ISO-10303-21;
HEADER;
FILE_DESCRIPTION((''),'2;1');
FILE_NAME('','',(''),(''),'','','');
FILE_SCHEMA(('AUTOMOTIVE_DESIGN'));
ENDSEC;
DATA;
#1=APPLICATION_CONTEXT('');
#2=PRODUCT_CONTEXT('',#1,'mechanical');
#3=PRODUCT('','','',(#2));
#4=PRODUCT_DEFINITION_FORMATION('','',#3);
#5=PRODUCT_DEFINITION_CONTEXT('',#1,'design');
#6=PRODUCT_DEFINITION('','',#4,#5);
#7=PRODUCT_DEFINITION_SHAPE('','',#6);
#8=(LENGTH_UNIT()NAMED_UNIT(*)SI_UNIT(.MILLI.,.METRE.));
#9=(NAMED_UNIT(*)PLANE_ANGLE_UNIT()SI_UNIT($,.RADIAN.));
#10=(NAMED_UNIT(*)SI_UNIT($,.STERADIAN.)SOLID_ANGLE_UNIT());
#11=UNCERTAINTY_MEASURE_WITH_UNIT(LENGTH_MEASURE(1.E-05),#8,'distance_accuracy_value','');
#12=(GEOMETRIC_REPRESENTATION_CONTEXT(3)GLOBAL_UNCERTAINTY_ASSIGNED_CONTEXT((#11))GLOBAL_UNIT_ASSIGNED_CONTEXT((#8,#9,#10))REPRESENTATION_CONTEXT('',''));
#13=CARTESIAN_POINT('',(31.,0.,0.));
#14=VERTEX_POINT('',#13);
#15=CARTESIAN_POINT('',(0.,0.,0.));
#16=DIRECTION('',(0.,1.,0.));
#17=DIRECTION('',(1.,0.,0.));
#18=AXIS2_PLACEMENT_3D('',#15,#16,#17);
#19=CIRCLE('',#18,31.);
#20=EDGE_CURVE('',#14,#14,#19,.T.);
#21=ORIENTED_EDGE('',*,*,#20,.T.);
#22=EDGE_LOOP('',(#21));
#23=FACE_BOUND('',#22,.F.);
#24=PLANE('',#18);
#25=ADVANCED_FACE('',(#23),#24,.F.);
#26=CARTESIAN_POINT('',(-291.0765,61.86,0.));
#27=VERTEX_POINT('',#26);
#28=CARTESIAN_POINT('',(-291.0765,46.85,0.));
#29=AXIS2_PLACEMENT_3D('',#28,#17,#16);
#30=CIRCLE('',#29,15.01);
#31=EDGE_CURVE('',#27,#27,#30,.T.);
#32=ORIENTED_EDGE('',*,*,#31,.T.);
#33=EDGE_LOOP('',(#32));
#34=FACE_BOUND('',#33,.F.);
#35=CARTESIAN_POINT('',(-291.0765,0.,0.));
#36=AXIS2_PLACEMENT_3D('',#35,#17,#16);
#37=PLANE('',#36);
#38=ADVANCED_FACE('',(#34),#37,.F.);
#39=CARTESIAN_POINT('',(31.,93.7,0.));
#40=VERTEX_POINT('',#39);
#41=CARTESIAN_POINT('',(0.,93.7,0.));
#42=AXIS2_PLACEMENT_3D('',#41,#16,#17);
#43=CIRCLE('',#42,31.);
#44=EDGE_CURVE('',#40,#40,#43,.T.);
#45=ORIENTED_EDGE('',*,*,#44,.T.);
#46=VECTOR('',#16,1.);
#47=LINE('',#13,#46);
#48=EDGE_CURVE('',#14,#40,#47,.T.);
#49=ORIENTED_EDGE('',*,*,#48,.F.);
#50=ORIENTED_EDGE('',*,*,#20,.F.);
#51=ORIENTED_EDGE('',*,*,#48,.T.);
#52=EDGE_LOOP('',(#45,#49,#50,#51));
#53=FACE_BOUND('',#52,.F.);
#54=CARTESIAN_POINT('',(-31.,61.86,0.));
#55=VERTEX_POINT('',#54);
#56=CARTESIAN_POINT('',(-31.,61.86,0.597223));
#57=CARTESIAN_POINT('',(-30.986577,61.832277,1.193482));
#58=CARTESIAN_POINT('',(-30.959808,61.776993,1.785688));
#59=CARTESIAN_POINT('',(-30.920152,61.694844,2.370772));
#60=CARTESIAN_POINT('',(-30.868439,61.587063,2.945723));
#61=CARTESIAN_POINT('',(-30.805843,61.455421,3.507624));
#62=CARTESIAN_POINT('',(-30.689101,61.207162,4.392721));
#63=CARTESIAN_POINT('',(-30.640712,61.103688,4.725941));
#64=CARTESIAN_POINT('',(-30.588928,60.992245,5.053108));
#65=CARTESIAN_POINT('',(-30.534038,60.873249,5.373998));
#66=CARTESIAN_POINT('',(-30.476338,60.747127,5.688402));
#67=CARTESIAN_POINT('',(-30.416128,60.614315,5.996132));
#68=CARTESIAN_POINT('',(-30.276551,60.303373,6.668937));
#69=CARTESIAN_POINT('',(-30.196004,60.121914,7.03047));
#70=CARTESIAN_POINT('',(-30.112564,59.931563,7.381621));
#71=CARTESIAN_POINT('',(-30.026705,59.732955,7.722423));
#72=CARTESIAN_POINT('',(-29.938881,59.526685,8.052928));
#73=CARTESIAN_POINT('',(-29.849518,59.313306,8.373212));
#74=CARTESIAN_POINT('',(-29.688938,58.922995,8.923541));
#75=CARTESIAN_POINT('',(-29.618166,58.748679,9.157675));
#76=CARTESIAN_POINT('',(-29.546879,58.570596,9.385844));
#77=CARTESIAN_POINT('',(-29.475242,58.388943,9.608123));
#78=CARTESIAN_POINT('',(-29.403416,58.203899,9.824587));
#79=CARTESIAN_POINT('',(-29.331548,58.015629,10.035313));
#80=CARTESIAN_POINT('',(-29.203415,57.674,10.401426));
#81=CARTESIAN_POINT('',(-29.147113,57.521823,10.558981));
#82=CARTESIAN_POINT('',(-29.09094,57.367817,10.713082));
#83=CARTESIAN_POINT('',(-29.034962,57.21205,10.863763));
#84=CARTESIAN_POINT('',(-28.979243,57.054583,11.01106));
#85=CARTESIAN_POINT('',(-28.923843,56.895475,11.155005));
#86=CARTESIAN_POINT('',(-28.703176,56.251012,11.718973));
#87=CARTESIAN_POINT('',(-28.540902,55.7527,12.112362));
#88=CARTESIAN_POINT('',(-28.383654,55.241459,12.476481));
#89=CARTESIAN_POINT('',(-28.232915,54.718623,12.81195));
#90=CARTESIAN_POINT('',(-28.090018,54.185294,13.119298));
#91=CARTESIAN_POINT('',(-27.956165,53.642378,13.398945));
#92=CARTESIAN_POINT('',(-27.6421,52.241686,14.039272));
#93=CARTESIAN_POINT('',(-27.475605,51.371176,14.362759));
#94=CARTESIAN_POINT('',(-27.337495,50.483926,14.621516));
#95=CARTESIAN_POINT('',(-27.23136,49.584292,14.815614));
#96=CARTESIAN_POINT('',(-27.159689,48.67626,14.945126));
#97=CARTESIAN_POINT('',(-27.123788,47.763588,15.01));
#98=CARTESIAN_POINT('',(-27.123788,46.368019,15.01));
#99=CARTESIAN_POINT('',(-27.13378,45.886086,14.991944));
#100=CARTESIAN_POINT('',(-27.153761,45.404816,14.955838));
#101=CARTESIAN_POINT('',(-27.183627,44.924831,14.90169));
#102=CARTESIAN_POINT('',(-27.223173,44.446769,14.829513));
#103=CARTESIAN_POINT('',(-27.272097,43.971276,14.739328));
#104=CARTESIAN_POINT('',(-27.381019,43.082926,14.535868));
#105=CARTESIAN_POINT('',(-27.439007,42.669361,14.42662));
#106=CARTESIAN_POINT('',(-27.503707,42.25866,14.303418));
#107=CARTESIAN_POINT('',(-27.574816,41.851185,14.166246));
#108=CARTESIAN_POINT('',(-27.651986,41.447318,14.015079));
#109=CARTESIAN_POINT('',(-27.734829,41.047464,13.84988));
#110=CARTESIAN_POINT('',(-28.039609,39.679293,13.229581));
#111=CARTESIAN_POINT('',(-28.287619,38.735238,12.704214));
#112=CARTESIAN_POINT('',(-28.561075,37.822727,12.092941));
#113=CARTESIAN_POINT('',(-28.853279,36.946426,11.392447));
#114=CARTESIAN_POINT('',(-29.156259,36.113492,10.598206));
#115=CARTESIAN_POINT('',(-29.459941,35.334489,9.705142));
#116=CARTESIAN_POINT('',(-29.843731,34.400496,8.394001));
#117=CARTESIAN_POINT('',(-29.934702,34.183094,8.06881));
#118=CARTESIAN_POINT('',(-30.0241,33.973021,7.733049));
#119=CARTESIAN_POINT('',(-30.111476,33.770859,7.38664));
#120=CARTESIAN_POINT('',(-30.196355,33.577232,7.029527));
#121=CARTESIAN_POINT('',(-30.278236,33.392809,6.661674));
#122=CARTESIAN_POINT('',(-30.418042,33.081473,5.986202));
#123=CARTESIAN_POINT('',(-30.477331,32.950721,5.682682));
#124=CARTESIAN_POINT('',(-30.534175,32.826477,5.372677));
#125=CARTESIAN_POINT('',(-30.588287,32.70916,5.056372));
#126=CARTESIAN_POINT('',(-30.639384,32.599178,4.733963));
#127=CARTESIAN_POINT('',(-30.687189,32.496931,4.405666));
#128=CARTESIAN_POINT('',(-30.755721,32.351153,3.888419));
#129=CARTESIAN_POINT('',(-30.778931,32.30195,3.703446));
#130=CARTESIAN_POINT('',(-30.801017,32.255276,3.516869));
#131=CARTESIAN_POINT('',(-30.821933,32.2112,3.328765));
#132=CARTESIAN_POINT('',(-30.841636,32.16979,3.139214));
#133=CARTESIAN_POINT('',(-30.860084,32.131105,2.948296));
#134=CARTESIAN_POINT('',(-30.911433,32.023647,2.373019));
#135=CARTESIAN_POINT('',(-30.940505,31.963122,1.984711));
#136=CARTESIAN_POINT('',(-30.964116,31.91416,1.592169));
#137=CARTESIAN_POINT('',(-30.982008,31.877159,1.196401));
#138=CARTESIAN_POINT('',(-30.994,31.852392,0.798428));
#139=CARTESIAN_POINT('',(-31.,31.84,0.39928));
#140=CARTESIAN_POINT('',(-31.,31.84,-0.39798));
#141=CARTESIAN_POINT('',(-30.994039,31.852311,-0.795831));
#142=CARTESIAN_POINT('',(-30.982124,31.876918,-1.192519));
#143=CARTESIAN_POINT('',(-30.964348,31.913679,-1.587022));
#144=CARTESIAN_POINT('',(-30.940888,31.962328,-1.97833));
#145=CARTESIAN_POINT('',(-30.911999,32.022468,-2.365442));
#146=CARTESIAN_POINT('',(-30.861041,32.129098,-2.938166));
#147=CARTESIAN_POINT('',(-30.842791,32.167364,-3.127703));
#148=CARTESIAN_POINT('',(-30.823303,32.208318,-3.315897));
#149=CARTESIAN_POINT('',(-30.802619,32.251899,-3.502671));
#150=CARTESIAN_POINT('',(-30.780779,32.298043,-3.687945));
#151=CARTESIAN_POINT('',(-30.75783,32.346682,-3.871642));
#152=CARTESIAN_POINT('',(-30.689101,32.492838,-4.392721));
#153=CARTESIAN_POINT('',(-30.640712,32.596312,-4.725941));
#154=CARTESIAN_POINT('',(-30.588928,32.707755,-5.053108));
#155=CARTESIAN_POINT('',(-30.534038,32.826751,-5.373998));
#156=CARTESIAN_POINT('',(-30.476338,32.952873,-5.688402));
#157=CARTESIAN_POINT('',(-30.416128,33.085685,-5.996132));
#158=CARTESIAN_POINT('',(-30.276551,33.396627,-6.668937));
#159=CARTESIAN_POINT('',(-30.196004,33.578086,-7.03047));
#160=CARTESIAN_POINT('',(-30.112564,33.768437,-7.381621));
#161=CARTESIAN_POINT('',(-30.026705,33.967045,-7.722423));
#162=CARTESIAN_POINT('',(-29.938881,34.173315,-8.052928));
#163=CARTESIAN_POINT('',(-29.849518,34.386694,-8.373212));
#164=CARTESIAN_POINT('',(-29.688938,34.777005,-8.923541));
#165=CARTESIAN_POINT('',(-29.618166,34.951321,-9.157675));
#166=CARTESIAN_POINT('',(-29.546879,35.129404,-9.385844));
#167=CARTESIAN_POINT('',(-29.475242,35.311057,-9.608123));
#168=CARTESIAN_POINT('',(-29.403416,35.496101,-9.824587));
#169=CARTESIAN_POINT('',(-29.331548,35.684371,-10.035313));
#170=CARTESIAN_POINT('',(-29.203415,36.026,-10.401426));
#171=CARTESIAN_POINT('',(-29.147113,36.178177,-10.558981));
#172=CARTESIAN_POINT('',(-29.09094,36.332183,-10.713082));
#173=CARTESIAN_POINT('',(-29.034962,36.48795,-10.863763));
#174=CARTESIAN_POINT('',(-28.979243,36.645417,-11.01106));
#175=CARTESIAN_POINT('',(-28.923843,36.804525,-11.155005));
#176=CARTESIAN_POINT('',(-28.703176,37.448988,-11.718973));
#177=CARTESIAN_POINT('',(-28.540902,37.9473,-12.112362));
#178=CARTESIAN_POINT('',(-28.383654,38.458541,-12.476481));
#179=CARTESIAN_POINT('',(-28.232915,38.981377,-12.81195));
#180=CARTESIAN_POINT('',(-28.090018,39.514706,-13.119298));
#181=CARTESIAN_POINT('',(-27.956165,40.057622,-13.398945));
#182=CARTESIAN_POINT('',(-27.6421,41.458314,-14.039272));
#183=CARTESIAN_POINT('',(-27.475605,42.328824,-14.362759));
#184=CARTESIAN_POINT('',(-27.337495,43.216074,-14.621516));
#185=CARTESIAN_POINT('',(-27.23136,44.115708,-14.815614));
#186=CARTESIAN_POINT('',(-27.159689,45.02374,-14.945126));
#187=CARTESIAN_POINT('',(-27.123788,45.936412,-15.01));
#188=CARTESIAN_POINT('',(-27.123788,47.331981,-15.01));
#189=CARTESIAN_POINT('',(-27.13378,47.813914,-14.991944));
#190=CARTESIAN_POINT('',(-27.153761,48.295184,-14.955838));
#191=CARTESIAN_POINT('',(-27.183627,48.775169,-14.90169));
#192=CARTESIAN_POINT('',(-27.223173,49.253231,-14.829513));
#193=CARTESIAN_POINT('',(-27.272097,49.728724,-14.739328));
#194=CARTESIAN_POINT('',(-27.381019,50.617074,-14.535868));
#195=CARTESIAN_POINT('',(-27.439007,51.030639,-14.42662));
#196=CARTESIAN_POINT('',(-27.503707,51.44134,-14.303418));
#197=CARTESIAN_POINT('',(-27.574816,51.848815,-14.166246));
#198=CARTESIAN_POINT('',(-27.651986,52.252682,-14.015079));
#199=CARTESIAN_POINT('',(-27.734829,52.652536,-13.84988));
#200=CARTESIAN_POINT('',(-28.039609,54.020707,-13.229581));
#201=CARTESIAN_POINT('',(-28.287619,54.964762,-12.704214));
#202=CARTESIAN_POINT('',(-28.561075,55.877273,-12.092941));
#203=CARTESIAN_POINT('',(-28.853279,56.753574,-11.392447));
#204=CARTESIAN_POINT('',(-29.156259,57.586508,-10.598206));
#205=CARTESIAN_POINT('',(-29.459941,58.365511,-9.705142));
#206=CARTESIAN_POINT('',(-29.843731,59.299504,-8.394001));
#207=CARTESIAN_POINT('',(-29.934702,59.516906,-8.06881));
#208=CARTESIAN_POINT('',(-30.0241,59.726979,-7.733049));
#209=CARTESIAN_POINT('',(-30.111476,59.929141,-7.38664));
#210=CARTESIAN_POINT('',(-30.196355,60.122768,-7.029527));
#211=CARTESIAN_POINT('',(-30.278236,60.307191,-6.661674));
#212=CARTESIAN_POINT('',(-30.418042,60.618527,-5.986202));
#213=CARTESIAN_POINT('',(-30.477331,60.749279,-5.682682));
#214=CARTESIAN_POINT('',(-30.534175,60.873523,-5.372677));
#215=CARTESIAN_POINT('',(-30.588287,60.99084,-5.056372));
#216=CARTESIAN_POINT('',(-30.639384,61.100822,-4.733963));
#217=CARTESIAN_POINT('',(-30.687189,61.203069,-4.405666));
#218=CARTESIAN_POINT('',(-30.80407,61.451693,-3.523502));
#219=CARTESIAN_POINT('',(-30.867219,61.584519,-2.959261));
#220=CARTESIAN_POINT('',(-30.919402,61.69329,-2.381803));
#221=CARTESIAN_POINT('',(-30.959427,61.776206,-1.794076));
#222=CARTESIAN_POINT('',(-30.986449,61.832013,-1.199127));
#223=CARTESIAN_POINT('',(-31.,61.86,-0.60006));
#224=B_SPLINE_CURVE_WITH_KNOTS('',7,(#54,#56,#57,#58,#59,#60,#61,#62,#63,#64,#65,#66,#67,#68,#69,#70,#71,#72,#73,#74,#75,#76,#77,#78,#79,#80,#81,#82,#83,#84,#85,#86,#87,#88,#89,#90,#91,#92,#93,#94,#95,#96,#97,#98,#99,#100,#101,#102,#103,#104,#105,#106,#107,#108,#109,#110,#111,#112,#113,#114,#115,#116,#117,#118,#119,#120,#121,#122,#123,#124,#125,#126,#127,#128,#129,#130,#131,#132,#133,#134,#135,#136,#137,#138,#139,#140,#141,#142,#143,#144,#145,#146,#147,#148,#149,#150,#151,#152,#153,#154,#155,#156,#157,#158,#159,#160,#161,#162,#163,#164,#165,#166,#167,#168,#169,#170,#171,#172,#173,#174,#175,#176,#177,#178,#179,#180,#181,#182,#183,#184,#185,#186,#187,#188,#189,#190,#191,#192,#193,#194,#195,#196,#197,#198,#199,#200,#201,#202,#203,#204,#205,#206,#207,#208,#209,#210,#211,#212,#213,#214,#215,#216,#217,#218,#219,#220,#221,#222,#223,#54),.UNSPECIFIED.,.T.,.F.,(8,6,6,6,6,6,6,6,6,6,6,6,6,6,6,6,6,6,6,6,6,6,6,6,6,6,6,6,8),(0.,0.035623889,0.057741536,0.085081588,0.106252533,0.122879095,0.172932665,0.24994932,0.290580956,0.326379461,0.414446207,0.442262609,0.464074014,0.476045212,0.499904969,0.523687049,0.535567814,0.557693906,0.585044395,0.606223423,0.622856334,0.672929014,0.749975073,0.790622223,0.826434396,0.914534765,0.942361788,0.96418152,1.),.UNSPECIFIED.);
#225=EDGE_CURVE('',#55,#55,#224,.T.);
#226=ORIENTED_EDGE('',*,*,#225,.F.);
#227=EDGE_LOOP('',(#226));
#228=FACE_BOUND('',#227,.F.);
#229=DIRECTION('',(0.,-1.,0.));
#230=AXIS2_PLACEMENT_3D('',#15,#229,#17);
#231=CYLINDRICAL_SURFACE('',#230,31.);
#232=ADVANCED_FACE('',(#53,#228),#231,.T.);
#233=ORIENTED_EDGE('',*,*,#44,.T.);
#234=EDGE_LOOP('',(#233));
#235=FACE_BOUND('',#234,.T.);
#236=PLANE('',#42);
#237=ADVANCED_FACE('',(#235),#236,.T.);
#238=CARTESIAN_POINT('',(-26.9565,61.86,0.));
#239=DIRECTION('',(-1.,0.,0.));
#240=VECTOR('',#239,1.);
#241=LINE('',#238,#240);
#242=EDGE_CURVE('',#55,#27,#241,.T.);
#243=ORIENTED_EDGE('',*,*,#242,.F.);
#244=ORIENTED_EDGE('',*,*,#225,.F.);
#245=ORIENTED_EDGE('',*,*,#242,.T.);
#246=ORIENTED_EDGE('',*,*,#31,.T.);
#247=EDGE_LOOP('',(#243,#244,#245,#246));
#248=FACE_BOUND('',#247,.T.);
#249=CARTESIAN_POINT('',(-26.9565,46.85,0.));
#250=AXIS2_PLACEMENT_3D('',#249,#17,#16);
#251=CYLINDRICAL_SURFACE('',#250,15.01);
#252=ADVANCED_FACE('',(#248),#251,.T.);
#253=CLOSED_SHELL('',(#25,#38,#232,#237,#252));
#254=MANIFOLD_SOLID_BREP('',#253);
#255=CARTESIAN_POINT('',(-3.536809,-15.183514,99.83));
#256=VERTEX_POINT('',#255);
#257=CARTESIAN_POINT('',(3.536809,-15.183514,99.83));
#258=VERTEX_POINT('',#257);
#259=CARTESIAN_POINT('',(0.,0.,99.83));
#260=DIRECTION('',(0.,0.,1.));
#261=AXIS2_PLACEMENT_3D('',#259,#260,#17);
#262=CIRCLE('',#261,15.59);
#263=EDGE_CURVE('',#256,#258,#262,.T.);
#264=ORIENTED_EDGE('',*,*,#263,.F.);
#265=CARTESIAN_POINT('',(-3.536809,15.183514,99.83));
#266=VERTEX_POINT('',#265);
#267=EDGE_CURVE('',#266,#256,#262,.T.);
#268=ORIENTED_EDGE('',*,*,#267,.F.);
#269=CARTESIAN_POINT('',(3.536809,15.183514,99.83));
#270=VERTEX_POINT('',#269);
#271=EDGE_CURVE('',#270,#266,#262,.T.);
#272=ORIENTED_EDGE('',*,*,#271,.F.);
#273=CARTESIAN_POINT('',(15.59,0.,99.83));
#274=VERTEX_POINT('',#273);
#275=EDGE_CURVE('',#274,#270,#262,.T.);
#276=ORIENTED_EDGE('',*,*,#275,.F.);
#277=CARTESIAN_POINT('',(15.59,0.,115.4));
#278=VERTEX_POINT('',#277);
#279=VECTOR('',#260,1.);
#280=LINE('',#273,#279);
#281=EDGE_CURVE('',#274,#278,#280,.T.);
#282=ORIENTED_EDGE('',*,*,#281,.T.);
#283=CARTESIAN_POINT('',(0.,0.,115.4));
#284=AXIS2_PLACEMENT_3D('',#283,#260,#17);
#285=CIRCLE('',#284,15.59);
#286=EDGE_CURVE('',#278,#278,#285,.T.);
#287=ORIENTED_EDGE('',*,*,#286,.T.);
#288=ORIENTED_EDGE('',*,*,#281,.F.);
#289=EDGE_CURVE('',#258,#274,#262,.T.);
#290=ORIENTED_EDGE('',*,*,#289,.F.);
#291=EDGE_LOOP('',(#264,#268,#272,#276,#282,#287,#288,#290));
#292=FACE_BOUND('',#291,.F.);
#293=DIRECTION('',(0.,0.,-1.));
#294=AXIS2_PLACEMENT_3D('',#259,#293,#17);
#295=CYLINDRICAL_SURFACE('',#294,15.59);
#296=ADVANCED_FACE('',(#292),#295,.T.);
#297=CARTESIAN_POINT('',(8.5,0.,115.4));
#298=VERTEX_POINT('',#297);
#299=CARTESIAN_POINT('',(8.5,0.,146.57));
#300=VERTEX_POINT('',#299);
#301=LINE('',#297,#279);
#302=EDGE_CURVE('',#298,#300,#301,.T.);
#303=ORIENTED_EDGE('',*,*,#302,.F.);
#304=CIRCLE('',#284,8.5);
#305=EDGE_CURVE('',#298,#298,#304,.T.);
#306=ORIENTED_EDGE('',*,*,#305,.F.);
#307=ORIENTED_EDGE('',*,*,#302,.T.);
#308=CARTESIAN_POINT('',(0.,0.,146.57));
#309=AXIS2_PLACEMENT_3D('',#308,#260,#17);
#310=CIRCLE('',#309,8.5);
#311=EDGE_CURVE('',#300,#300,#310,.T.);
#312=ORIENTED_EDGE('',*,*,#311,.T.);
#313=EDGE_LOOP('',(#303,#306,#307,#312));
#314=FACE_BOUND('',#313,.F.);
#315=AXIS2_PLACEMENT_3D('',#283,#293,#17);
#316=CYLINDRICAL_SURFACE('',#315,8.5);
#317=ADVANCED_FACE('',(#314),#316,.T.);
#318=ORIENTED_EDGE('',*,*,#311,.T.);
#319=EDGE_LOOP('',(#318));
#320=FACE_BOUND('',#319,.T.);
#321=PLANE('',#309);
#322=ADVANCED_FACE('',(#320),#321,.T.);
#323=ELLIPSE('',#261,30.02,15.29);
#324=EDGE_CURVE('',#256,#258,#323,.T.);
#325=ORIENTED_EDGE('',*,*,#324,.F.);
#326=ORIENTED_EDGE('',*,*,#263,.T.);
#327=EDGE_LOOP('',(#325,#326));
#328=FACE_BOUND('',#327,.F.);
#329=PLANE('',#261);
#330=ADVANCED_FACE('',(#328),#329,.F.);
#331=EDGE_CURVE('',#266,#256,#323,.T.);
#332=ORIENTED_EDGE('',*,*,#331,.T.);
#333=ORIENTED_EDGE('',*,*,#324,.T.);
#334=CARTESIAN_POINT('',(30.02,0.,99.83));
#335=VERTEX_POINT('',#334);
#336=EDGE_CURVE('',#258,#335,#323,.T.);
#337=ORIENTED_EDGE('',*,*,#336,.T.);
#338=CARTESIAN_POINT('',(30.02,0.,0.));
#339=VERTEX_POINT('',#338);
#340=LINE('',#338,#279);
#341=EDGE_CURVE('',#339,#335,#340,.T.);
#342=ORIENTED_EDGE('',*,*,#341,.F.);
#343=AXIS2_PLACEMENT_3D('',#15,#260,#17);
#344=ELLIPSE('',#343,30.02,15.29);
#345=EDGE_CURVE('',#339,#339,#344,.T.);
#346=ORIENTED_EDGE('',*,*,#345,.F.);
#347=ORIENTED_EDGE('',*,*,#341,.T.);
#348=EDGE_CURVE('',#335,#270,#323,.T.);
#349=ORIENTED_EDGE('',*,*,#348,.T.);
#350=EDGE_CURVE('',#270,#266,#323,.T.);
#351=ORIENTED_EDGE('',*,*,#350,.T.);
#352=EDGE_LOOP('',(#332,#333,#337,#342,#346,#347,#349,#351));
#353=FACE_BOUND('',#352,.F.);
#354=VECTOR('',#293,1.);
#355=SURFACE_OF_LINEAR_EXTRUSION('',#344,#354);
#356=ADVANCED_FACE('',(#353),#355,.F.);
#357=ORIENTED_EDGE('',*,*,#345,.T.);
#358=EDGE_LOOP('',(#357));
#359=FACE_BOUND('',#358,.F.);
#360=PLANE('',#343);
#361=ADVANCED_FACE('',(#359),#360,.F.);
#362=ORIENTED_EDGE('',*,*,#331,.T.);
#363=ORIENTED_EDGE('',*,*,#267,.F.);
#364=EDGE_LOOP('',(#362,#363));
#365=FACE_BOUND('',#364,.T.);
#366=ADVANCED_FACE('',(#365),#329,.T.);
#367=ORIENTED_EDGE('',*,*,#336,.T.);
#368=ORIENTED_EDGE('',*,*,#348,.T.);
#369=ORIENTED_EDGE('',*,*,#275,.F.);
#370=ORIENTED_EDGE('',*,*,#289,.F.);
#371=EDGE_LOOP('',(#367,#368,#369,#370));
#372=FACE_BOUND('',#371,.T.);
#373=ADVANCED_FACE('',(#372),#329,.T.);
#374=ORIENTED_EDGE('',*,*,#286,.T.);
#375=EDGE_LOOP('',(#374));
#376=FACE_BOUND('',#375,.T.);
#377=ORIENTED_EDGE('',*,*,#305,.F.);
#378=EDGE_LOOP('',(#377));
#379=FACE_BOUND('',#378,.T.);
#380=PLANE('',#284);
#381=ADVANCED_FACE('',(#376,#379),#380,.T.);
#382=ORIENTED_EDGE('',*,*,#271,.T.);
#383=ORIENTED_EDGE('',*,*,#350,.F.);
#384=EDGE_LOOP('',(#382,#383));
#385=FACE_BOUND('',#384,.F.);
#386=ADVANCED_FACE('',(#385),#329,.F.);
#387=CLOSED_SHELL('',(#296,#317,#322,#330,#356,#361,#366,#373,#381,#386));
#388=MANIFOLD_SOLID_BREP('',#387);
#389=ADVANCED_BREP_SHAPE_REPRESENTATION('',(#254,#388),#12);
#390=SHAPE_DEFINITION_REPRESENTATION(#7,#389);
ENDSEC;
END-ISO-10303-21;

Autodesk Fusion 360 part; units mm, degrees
sketch "Sketch1" plane through (0, 0, 0) normal (0, 0, 1) x (1, 0, 0)
  ellipse E0 centre (0, 0) end of major axis (30.02, 0) minor radius 15.29
  line L0 (-30.02, 0) -> (30.02, 0) construction
  line L1 (0, -15.29) -> (0, 15.29) construction
  dimension "d1" = 60.04
  dimension "d2" = 30.58
extrude "Extrude1" add sketch "Sketch1" along normal blind 99.83 makes body 1
sketch "Sketch2" plane through (0, 0, 0) normal (0, 0, 1) x (1, 0, 0)
  circle A0 centre (0, 0) radius 15.59
  dimension "d5" = 31.18
extrude "Extrude3" add sketch "Sketch2" along normal blind 15.57 from surface at 99.83 bodies 1
sketch "Sketch3" plane through (0, 0, 0) normal (0, 0, 1) x (1, 0, 0)
  circle A0 centre (0, 0) radius 8.5
  dimension "d23" = 17
extrude "Extrude4" add sketch "Sketch3" along normal blind 31.17 from surface at 115.4 bodies 1
sketch "Sketch5" plane through (0, 0, 0) normal (0, 1, 0) x (1, 0, 0)
  circle A0 centre (0, 0) radius 31
  dimension "d27" = 62
extrude "Extrude5" add sketch "Sketch5" along normal blind 93.7 separate body makes body 2
sketch "Sketch6" plane through (0, 0, 0) normal (1, 0, 0) x (0, 1, 0)
  line L0 (0, 0) -> (46.85, 0) construction
  circle A0 centre (46.85, 0) radius 15.01
  dimension "d30" = 46.85
  dimension "d31" = 30.02
extrude "Extrude6" add sketch "Sketch6" against normal blind 264.12 from surface at -26.9565 bodies 2
copy_body "Body->Comp1" bodies 2 removing the originals makes body 3 in component "Component"
copy_body "Body->Comp2" bodies 1 removing the originals makes body 4 in component "Component'"
copy_body "Body->Comp1'" bodies 4 removing the originals makes body 5 in component "Component''"
component "Component" placed x (1, 0, 0) y (0, 1, 0) z (0, 0, 1) at (0, 0, 0)
component "Component'" placed x (1, 0, 0) y (0, 1, 0) z (0, 0, 1) at (0, 0, 0)
component "Component''" placed x (1, 0, 0) y (0, 1, 0) z (0, 0, 1) at (0, 0, 0) in component "Component'"
equation "d1 = container_half_length * 2"
equation "d2 = container_half_width * 2"
equation "d5 = cap_radius * 2"
equation "container_half_width = 15.29 mm"
equation "container_half_length = 30.02 mm"
equation "container_height = 99.83 mm"
equation "cap_radius = 15.59 mm"
equation "cap_height = 15.57 mm"
equation "tip_radius = 8.5 mm"
equation "tip_height = 31.17 mm"
equation "handle_radius = 15.01 mm"
equation "handle_length = 264.12 mm"
equation "sledge_radius = 31 mm"
equation "sledge_length = 93.7 mm"
equation "d20 = container_height"
equation "d21 = cap_height"
equation "d23 = tip_radius * 2"
equation "d24 = cap_height + container_height"
equation "d25 = tip_height"
equation "d27 = sledge_radius * 2"
equation "d28 = sledge_length"
equation "d30 = sledge_length / 2"
equation "d31 = handle_radius * 2"
equation "d32 = sledge_radius / 1.15 * -1"
equation "d33 = handle_length * -1"
